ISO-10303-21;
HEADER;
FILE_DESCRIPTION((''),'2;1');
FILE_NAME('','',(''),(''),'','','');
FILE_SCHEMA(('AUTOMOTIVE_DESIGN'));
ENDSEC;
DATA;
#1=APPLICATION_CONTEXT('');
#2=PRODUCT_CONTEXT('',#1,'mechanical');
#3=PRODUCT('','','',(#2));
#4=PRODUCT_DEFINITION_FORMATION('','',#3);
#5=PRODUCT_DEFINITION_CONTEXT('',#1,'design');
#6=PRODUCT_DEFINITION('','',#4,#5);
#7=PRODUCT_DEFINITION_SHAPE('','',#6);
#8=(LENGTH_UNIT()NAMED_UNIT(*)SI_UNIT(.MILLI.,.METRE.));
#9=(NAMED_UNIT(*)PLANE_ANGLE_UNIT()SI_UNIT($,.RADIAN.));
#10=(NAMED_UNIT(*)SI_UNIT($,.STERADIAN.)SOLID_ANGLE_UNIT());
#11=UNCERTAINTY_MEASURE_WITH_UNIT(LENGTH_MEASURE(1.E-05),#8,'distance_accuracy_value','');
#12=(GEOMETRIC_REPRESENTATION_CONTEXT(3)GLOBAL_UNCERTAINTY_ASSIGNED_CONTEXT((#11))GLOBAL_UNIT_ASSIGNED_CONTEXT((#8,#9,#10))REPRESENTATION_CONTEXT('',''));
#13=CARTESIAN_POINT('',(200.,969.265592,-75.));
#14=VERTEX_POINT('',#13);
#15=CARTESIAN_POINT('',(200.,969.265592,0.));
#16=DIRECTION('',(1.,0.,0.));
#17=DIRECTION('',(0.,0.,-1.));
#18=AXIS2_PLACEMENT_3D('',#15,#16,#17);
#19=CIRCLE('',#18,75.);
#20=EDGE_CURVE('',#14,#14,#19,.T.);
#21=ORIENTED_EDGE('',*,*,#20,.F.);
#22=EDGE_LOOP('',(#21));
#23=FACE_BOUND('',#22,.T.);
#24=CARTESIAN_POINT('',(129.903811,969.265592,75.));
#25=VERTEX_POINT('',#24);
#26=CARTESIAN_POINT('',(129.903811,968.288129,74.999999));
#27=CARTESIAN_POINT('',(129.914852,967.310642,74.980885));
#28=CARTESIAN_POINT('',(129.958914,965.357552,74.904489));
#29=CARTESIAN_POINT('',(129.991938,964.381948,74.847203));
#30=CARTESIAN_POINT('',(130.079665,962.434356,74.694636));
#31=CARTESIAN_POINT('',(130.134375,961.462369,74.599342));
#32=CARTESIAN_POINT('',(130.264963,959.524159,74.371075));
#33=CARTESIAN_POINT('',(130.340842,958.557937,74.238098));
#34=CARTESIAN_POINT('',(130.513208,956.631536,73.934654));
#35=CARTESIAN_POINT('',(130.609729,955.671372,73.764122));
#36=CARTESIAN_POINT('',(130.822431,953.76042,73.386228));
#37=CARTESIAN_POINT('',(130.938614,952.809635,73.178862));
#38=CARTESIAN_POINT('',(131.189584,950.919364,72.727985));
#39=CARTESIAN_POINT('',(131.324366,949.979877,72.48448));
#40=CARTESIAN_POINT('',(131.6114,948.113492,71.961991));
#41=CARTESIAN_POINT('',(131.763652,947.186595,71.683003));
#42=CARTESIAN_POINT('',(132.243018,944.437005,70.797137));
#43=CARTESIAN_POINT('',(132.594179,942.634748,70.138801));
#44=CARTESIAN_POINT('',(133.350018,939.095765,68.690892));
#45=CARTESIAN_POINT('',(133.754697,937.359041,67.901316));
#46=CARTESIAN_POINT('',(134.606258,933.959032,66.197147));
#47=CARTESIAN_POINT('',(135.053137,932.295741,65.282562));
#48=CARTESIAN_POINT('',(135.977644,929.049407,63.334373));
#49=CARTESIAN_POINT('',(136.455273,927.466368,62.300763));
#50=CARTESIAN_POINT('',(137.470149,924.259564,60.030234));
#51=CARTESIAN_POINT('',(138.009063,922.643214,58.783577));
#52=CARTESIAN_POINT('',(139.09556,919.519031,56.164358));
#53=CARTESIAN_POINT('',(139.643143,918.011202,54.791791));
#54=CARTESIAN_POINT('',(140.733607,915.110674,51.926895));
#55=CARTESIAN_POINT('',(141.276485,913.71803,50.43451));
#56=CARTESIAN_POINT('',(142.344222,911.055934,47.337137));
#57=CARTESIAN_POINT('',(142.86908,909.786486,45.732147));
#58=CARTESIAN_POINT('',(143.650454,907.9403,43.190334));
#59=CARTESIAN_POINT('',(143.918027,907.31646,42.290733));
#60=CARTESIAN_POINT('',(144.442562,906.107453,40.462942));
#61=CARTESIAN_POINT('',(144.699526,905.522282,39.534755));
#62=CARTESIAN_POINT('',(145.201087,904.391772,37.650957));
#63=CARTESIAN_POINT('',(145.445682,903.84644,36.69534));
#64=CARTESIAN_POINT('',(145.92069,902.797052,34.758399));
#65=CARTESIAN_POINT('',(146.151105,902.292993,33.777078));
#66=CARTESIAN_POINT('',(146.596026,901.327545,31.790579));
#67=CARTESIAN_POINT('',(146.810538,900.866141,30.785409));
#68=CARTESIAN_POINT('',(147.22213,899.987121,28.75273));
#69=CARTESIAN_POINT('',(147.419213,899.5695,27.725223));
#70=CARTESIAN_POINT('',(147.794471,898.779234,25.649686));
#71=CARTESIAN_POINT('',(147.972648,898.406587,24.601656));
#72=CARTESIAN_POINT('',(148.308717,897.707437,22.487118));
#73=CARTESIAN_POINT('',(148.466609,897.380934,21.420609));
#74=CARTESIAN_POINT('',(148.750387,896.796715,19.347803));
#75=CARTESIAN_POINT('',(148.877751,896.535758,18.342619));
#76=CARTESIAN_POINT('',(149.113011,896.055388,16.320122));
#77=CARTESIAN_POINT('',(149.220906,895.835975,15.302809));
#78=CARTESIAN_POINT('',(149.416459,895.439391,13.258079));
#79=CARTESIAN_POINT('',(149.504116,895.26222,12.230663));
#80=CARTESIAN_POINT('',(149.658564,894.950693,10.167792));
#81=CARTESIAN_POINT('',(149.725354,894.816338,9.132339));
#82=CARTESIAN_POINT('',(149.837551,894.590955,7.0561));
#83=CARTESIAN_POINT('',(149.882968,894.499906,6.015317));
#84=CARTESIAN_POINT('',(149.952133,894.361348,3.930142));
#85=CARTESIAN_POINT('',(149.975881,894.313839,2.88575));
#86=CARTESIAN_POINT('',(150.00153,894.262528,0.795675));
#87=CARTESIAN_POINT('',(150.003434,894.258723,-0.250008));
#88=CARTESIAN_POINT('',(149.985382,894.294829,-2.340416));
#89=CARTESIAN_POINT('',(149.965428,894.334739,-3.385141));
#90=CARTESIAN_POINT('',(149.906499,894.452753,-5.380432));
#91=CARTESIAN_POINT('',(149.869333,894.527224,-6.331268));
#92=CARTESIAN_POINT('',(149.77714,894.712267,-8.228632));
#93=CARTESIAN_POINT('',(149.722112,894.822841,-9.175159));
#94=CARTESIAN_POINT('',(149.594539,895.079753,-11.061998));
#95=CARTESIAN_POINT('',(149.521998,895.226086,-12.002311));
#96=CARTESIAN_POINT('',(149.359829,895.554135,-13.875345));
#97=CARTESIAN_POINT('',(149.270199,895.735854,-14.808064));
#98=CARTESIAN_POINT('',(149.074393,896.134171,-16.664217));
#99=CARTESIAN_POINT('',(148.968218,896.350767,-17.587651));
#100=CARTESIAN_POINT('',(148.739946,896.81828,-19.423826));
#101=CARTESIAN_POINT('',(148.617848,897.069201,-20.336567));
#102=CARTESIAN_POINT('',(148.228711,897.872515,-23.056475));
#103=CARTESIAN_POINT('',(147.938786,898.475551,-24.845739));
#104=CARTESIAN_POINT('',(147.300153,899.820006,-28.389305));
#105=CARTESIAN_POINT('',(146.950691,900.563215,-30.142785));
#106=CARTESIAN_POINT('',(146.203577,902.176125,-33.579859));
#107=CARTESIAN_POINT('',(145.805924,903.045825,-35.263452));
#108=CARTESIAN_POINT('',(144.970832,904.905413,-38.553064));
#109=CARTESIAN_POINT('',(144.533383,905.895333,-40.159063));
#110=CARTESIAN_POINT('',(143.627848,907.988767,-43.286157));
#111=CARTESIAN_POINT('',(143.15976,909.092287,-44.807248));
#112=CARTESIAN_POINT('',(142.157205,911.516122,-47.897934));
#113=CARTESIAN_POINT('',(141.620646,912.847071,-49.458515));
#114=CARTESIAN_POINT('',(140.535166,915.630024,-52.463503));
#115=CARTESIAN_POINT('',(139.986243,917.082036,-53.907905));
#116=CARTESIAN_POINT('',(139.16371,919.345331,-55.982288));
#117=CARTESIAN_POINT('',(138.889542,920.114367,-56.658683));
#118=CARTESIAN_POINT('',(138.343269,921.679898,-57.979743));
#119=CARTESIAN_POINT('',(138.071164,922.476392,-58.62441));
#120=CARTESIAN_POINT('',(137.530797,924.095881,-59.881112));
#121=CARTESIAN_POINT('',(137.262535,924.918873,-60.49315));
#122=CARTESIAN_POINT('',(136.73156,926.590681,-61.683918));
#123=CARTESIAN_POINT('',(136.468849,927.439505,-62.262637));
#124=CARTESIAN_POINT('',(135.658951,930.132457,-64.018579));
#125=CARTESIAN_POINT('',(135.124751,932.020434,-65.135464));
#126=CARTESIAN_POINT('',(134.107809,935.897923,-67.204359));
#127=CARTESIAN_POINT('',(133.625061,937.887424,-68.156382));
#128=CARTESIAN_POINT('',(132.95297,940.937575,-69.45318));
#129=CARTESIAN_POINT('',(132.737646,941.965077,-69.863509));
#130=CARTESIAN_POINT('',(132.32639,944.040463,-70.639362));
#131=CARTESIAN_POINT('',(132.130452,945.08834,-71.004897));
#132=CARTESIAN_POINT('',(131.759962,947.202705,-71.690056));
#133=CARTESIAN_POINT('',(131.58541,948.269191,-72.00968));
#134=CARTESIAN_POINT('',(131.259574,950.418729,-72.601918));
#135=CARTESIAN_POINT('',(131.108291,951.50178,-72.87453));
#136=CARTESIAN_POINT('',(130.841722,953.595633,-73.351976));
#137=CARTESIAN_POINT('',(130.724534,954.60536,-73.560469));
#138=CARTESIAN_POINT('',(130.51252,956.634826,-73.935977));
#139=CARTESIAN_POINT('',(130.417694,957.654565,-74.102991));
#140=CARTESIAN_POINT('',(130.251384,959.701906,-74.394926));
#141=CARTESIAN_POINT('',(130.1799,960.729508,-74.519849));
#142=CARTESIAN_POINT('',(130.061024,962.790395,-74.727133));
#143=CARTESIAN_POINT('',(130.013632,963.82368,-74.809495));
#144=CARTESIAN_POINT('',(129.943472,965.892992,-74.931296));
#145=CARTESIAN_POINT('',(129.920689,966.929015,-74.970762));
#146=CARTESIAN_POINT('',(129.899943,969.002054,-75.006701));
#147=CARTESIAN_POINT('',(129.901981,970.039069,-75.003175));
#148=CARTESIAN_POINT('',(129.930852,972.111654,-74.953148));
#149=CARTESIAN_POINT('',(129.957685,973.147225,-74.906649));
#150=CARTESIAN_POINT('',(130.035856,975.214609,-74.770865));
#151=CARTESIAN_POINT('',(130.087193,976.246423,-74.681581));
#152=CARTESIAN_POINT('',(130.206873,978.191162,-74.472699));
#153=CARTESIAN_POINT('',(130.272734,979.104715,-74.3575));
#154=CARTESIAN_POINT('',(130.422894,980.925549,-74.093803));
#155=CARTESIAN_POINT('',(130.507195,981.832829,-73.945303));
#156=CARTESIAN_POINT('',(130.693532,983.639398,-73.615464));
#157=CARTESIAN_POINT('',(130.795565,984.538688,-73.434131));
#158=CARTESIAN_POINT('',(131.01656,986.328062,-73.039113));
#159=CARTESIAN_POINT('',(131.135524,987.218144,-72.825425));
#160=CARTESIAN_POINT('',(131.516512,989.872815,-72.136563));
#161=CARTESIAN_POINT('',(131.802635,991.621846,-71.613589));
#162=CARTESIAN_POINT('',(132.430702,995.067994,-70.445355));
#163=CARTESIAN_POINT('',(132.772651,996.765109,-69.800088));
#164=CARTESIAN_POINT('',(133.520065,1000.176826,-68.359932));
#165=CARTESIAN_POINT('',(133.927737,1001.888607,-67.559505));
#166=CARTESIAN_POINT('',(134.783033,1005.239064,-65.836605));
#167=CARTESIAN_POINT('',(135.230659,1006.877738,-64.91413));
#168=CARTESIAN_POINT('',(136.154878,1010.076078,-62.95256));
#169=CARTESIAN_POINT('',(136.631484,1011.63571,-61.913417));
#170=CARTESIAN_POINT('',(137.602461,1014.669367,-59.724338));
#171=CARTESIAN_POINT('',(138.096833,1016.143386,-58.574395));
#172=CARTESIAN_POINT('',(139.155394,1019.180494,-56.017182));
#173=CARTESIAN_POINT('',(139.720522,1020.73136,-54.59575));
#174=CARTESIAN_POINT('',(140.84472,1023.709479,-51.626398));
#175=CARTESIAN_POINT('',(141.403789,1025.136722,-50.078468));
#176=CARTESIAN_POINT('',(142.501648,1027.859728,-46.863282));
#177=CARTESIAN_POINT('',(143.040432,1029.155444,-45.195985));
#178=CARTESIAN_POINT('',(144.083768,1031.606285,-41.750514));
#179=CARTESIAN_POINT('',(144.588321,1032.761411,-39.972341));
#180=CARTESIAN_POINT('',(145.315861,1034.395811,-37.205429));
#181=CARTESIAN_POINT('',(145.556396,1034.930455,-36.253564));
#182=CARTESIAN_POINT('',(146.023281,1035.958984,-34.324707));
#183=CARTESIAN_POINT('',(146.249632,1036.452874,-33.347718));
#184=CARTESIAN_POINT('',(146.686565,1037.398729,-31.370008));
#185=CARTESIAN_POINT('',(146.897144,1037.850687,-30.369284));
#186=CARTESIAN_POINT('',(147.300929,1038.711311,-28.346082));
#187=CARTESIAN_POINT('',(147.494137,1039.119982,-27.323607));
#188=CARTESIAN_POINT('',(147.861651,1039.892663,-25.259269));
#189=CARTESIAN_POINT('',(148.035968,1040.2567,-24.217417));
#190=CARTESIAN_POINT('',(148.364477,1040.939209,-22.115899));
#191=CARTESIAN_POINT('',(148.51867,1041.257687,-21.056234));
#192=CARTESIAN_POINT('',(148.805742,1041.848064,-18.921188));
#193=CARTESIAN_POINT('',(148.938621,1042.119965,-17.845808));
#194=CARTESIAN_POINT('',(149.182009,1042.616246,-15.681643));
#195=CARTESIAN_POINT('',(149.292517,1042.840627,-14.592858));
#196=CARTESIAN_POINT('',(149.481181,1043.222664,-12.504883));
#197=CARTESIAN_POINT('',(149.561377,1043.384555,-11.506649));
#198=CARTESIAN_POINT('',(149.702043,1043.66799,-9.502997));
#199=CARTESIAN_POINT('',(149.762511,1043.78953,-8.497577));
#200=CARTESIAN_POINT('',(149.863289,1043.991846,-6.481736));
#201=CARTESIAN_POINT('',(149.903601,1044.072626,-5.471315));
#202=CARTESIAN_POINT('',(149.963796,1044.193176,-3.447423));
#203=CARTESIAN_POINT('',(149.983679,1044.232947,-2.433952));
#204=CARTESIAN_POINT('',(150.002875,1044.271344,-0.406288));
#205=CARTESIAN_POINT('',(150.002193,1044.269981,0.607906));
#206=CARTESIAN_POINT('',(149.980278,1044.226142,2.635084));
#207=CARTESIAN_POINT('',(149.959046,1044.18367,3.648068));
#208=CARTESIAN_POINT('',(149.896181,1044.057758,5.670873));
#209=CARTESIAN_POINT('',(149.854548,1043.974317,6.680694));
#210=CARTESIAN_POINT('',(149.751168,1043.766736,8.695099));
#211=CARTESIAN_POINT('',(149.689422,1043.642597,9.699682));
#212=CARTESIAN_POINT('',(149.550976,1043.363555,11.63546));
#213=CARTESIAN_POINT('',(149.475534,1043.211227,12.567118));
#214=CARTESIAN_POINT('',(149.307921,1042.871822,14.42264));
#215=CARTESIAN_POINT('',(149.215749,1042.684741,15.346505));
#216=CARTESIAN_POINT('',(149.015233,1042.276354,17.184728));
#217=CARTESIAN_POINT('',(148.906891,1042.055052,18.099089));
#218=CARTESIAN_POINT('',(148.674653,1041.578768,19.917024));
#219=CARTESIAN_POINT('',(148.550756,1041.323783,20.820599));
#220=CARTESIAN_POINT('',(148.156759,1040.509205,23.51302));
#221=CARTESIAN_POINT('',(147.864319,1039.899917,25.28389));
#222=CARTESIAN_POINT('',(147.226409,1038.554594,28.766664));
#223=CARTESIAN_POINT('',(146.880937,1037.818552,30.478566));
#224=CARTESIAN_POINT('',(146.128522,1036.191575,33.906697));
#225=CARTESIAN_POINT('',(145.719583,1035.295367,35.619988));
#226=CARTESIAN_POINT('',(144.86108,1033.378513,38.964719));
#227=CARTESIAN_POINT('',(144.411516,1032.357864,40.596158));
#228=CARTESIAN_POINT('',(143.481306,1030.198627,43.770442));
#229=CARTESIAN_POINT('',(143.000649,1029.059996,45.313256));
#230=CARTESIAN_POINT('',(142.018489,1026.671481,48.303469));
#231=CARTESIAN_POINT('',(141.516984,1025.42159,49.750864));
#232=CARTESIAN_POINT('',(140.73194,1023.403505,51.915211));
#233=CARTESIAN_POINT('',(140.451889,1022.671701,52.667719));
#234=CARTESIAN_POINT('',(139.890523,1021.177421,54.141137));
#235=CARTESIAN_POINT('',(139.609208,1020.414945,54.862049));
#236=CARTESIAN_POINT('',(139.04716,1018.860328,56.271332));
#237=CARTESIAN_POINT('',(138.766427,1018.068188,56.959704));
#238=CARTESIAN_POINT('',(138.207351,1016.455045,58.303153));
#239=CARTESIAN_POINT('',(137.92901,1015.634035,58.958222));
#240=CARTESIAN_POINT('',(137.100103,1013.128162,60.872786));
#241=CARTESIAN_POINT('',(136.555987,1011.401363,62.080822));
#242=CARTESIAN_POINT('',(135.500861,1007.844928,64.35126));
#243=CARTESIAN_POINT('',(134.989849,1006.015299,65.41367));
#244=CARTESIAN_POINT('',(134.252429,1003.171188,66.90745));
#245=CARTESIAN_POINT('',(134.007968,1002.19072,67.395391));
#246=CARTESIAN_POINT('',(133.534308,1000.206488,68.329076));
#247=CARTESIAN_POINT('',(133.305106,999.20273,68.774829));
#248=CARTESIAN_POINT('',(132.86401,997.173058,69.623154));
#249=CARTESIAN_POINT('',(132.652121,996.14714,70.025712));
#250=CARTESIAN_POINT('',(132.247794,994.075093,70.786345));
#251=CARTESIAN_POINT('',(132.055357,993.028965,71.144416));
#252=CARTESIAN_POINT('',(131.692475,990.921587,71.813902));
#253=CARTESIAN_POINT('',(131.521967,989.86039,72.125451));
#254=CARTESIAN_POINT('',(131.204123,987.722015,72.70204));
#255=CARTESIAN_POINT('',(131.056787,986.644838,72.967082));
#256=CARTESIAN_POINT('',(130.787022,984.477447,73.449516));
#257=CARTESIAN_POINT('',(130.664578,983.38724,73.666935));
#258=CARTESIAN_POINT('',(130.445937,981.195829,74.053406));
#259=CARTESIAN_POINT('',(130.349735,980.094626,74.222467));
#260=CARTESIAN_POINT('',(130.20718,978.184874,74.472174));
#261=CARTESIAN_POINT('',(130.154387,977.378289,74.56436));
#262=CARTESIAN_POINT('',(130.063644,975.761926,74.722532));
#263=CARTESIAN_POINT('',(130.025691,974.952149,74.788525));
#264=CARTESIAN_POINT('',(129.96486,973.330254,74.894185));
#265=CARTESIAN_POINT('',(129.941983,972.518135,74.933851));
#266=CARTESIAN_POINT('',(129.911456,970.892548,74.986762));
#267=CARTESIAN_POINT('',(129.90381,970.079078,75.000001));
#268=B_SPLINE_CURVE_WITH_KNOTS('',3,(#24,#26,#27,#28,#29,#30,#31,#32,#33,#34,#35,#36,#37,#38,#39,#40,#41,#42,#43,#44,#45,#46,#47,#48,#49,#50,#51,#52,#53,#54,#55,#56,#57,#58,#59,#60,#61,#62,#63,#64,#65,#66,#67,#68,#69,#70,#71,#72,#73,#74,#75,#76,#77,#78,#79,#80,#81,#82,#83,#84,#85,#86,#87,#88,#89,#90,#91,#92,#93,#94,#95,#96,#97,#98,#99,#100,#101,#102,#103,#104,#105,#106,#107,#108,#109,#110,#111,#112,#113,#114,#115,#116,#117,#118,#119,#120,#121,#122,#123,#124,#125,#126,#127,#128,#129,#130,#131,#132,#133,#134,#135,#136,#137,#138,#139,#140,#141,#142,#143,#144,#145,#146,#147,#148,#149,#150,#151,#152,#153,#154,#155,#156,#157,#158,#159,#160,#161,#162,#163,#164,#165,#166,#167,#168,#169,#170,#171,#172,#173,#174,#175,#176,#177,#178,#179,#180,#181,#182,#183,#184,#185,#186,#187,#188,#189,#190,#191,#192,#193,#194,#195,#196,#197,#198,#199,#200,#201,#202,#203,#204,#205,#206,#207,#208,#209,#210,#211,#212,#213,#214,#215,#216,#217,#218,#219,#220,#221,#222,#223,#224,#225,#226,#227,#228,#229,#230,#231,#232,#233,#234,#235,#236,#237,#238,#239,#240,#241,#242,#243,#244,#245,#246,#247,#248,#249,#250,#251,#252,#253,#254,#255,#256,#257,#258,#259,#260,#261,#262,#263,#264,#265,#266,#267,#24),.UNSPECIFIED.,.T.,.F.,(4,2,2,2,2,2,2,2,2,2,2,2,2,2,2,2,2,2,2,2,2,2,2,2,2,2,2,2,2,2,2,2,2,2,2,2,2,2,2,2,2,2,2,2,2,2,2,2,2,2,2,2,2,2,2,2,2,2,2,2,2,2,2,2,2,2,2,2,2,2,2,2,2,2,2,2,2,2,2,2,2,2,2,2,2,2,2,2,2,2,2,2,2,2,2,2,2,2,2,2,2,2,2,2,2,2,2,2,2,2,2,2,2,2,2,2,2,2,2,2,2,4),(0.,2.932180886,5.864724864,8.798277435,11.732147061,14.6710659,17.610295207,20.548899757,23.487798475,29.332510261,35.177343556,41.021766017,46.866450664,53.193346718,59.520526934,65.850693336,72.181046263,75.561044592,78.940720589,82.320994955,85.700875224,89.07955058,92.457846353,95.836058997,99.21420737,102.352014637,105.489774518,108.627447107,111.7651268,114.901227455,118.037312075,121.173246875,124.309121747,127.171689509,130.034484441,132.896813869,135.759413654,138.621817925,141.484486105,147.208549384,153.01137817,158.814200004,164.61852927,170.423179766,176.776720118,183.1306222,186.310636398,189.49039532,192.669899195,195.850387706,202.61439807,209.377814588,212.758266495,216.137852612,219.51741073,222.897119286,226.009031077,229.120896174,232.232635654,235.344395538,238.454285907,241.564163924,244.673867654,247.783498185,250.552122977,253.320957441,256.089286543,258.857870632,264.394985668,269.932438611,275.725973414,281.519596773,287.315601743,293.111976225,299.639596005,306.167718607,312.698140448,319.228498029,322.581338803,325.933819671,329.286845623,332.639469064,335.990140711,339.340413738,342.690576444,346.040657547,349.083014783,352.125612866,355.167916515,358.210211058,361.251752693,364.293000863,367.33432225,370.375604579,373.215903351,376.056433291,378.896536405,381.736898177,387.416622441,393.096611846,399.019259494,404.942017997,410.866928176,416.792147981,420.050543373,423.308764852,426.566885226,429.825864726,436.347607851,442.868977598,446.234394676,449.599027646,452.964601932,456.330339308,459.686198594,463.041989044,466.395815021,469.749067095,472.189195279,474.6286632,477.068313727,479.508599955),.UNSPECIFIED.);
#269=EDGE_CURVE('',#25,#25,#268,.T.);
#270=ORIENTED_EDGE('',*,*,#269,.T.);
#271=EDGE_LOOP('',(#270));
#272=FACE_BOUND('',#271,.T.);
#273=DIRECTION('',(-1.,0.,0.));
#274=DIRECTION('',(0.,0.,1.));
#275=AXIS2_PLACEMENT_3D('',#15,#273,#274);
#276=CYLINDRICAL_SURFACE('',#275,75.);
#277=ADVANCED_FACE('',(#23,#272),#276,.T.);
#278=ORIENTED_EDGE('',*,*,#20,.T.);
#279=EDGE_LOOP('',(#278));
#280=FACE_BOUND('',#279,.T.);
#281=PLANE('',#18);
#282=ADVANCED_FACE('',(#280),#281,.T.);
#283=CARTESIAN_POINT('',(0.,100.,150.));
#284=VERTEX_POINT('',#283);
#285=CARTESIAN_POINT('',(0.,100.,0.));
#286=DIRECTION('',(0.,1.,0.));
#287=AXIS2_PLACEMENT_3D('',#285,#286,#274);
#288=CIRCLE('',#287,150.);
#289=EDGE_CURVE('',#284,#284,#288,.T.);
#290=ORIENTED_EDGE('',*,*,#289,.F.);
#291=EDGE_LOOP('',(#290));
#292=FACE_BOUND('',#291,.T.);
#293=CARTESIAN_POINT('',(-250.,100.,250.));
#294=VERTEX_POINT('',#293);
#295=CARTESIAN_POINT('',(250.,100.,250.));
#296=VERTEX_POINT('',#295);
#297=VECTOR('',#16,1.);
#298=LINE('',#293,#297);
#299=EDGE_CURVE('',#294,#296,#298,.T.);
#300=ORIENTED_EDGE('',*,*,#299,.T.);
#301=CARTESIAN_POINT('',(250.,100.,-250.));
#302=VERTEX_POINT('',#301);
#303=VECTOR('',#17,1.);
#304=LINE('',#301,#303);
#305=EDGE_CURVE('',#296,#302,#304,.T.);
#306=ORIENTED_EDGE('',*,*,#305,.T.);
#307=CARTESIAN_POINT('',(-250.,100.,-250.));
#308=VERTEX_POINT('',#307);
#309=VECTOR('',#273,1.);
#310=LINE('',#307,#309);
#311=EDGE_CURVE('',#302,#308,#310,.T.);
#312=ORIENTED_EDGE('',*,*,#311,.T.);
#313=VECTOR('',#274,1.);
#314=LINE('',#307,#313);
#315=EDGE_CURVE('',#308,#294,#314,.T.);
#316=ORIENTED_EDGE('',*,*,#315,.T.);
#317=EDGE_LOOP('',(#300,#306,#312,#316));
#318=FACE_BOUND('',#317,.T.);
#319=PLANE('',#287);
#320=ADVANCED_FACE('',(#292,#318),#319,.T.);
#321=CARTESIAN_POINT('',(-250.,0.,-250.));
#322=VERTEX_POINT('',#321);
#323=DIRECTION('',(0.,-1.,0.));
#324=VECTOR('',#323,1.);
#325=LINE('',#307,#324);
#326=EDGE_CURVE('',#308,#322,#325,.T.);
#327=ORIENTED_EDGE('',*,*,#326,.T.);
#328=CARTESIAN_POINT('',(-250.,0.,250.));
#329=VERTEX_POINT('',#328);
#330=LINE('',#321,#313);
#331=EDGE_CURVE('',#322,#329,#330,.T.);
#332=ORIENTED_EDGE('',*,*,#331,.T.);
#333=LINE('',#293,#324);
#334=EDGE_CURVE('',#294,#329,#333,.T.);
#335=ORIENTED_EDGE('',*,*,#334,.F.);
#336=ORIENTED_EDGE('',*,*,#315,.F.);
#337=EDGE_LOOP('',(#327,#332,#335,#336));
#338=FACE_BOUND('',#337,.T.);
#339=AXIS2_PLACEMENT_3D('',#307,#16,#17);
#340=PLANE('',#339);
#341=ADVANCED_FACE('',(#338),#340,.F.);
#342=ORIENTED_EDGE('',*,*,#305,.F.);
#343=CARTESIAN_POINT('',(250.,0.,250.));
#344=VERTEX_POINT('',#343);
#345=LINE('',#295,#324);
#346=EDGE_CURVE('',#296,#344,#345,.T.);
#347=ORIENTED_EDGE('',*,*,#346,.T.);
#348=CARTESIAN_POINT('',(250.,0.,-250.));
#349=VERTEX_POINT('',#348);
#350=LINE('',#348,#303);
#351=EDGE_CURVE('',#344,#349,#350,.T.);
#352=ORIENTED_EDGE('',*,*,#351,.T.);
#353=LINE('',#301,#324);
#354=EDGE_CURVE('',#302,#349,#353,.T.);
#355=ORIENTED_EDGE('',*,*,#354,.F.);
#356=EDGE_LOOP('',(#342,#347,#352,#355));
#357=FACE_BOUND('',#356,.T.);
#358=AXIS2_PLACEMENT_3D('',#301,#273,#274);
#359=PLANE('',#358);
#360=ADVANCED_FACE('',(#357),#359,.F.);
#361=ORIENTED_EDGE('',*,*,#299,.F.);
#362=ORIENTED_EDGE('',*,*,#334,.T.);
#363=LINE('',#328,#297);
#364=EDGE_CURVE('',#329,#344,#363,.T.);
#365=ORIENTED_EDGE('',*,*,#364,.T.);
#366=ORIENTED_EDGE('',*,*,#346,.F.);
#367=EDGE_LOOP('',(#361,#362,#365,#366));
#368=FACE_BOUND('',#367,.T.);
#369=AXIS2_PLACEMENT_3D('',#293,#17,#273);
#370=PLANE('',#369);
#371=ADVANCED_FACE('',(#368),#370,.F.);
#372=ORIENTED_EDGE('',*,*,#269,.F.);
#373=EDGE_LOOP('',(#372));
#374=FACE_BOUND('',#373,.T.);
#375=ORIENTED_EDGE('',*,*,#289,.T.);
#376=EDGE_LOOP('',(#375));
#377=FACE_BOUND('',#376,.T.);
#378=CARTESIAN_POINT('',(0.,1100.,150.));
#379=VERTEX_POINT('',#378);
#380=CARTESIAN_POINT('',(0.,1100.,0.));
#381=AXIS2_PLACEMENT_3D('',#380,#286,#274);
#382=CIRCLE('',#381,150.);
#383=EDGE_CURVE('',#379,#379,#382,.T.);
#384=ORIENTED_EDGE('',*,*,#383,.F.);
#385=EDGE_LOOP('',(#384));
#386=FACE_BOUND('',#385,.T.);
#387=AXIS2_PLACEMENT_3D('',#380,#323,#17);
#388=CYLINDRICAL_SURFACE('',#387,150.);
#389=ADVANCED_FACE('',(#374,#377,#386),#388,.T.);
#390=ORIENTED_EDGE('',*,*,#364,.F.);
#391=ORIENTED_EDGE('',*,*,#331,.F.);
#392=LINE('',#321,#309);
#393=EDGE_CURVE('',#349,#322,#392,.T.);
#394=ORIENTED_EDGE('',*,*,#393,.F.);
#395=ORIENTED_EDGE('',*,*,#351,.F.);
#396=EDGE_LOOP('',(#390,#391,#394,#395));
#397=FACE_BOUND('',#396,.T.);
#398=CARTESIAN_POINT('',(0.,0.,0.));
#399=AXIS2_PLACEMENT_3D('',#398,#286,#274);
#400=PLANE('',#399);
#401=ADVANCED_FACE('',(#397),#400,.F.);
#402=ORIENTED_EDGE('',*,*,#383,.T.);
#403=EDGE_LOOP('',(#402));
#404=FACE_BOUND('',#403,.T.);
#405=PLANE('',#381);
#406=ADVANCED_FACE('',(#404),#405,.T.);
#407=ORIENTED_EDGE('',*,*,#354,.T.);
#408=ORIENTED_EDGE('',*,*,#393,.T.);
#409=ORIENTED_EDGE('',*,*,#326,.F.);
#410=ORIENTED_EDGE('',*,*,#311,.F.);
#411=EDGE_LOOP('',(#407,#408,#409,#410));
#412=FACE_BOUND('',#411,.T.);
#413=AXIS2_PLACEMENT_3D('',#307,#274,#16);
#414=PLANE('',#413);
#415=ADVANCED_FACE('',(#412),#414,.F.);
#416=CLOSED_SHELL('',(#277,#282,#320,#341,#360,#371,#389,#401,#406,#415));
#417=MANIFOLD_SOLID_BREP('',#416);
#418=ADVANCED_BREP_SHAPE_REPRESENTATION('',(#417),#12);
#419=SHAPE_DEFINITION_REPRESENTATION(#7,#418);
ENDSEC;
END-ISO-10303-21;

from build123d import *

# Parameters (mm, degrees)
CROQUIS2_W              = 500
CROQUIS2_H              = 500
SALIENTE_EXTRUIR1_DEPTH = 100
CROQUIS3_R              = 150
SALIENTE_EXTRUIR2_DEPTH = 1000
CROQUIS5_R              = 75
SALIENTE_EXTRUIR4_DEPTH = 200


with BuildPart() as part:
    # Croquis2 → Saliente-Extruir1 (new body)
    with BuildSketch(Plane(origin=(0, 0, 0), x_dir=(1, 0, 0), z_dir=(0, 1, 0))):
        Rectangle(CROQUIS2_W, CROQUIS2_H)
    extrude(amount=SALIENTE_EXTRUIR1_DEPTH)

    # Croquis3 → Saliente-Extruir2 (add)
    with BuildSketch(Plane(origin=(0, 100, 0), x_dir=(1, 0, 0), z_dir=(0, 1, 0))):
        with Locations(Location((0, 0, 0), (0, 0, 270))):
            Circle(CROQUIS3_R)
    extrude(amount=SALIENTE_EXTRUIR2_DEPTH)

    # Croquis5 → Saliente-Extruir4 (add)
    with BuildSketch(Plane(origin=(0, 0, 0), x_dir=(0, 0, -1), z_dir=(1, 0, 0))):
        with Locations(Location((0, 969.265591665, 0), (0, 0, 180))):
            Circle(CROQUIS5_R)
    extrude(amount=SALIENTE_EXTRUIR4_DEPTH)


solid = part.part
